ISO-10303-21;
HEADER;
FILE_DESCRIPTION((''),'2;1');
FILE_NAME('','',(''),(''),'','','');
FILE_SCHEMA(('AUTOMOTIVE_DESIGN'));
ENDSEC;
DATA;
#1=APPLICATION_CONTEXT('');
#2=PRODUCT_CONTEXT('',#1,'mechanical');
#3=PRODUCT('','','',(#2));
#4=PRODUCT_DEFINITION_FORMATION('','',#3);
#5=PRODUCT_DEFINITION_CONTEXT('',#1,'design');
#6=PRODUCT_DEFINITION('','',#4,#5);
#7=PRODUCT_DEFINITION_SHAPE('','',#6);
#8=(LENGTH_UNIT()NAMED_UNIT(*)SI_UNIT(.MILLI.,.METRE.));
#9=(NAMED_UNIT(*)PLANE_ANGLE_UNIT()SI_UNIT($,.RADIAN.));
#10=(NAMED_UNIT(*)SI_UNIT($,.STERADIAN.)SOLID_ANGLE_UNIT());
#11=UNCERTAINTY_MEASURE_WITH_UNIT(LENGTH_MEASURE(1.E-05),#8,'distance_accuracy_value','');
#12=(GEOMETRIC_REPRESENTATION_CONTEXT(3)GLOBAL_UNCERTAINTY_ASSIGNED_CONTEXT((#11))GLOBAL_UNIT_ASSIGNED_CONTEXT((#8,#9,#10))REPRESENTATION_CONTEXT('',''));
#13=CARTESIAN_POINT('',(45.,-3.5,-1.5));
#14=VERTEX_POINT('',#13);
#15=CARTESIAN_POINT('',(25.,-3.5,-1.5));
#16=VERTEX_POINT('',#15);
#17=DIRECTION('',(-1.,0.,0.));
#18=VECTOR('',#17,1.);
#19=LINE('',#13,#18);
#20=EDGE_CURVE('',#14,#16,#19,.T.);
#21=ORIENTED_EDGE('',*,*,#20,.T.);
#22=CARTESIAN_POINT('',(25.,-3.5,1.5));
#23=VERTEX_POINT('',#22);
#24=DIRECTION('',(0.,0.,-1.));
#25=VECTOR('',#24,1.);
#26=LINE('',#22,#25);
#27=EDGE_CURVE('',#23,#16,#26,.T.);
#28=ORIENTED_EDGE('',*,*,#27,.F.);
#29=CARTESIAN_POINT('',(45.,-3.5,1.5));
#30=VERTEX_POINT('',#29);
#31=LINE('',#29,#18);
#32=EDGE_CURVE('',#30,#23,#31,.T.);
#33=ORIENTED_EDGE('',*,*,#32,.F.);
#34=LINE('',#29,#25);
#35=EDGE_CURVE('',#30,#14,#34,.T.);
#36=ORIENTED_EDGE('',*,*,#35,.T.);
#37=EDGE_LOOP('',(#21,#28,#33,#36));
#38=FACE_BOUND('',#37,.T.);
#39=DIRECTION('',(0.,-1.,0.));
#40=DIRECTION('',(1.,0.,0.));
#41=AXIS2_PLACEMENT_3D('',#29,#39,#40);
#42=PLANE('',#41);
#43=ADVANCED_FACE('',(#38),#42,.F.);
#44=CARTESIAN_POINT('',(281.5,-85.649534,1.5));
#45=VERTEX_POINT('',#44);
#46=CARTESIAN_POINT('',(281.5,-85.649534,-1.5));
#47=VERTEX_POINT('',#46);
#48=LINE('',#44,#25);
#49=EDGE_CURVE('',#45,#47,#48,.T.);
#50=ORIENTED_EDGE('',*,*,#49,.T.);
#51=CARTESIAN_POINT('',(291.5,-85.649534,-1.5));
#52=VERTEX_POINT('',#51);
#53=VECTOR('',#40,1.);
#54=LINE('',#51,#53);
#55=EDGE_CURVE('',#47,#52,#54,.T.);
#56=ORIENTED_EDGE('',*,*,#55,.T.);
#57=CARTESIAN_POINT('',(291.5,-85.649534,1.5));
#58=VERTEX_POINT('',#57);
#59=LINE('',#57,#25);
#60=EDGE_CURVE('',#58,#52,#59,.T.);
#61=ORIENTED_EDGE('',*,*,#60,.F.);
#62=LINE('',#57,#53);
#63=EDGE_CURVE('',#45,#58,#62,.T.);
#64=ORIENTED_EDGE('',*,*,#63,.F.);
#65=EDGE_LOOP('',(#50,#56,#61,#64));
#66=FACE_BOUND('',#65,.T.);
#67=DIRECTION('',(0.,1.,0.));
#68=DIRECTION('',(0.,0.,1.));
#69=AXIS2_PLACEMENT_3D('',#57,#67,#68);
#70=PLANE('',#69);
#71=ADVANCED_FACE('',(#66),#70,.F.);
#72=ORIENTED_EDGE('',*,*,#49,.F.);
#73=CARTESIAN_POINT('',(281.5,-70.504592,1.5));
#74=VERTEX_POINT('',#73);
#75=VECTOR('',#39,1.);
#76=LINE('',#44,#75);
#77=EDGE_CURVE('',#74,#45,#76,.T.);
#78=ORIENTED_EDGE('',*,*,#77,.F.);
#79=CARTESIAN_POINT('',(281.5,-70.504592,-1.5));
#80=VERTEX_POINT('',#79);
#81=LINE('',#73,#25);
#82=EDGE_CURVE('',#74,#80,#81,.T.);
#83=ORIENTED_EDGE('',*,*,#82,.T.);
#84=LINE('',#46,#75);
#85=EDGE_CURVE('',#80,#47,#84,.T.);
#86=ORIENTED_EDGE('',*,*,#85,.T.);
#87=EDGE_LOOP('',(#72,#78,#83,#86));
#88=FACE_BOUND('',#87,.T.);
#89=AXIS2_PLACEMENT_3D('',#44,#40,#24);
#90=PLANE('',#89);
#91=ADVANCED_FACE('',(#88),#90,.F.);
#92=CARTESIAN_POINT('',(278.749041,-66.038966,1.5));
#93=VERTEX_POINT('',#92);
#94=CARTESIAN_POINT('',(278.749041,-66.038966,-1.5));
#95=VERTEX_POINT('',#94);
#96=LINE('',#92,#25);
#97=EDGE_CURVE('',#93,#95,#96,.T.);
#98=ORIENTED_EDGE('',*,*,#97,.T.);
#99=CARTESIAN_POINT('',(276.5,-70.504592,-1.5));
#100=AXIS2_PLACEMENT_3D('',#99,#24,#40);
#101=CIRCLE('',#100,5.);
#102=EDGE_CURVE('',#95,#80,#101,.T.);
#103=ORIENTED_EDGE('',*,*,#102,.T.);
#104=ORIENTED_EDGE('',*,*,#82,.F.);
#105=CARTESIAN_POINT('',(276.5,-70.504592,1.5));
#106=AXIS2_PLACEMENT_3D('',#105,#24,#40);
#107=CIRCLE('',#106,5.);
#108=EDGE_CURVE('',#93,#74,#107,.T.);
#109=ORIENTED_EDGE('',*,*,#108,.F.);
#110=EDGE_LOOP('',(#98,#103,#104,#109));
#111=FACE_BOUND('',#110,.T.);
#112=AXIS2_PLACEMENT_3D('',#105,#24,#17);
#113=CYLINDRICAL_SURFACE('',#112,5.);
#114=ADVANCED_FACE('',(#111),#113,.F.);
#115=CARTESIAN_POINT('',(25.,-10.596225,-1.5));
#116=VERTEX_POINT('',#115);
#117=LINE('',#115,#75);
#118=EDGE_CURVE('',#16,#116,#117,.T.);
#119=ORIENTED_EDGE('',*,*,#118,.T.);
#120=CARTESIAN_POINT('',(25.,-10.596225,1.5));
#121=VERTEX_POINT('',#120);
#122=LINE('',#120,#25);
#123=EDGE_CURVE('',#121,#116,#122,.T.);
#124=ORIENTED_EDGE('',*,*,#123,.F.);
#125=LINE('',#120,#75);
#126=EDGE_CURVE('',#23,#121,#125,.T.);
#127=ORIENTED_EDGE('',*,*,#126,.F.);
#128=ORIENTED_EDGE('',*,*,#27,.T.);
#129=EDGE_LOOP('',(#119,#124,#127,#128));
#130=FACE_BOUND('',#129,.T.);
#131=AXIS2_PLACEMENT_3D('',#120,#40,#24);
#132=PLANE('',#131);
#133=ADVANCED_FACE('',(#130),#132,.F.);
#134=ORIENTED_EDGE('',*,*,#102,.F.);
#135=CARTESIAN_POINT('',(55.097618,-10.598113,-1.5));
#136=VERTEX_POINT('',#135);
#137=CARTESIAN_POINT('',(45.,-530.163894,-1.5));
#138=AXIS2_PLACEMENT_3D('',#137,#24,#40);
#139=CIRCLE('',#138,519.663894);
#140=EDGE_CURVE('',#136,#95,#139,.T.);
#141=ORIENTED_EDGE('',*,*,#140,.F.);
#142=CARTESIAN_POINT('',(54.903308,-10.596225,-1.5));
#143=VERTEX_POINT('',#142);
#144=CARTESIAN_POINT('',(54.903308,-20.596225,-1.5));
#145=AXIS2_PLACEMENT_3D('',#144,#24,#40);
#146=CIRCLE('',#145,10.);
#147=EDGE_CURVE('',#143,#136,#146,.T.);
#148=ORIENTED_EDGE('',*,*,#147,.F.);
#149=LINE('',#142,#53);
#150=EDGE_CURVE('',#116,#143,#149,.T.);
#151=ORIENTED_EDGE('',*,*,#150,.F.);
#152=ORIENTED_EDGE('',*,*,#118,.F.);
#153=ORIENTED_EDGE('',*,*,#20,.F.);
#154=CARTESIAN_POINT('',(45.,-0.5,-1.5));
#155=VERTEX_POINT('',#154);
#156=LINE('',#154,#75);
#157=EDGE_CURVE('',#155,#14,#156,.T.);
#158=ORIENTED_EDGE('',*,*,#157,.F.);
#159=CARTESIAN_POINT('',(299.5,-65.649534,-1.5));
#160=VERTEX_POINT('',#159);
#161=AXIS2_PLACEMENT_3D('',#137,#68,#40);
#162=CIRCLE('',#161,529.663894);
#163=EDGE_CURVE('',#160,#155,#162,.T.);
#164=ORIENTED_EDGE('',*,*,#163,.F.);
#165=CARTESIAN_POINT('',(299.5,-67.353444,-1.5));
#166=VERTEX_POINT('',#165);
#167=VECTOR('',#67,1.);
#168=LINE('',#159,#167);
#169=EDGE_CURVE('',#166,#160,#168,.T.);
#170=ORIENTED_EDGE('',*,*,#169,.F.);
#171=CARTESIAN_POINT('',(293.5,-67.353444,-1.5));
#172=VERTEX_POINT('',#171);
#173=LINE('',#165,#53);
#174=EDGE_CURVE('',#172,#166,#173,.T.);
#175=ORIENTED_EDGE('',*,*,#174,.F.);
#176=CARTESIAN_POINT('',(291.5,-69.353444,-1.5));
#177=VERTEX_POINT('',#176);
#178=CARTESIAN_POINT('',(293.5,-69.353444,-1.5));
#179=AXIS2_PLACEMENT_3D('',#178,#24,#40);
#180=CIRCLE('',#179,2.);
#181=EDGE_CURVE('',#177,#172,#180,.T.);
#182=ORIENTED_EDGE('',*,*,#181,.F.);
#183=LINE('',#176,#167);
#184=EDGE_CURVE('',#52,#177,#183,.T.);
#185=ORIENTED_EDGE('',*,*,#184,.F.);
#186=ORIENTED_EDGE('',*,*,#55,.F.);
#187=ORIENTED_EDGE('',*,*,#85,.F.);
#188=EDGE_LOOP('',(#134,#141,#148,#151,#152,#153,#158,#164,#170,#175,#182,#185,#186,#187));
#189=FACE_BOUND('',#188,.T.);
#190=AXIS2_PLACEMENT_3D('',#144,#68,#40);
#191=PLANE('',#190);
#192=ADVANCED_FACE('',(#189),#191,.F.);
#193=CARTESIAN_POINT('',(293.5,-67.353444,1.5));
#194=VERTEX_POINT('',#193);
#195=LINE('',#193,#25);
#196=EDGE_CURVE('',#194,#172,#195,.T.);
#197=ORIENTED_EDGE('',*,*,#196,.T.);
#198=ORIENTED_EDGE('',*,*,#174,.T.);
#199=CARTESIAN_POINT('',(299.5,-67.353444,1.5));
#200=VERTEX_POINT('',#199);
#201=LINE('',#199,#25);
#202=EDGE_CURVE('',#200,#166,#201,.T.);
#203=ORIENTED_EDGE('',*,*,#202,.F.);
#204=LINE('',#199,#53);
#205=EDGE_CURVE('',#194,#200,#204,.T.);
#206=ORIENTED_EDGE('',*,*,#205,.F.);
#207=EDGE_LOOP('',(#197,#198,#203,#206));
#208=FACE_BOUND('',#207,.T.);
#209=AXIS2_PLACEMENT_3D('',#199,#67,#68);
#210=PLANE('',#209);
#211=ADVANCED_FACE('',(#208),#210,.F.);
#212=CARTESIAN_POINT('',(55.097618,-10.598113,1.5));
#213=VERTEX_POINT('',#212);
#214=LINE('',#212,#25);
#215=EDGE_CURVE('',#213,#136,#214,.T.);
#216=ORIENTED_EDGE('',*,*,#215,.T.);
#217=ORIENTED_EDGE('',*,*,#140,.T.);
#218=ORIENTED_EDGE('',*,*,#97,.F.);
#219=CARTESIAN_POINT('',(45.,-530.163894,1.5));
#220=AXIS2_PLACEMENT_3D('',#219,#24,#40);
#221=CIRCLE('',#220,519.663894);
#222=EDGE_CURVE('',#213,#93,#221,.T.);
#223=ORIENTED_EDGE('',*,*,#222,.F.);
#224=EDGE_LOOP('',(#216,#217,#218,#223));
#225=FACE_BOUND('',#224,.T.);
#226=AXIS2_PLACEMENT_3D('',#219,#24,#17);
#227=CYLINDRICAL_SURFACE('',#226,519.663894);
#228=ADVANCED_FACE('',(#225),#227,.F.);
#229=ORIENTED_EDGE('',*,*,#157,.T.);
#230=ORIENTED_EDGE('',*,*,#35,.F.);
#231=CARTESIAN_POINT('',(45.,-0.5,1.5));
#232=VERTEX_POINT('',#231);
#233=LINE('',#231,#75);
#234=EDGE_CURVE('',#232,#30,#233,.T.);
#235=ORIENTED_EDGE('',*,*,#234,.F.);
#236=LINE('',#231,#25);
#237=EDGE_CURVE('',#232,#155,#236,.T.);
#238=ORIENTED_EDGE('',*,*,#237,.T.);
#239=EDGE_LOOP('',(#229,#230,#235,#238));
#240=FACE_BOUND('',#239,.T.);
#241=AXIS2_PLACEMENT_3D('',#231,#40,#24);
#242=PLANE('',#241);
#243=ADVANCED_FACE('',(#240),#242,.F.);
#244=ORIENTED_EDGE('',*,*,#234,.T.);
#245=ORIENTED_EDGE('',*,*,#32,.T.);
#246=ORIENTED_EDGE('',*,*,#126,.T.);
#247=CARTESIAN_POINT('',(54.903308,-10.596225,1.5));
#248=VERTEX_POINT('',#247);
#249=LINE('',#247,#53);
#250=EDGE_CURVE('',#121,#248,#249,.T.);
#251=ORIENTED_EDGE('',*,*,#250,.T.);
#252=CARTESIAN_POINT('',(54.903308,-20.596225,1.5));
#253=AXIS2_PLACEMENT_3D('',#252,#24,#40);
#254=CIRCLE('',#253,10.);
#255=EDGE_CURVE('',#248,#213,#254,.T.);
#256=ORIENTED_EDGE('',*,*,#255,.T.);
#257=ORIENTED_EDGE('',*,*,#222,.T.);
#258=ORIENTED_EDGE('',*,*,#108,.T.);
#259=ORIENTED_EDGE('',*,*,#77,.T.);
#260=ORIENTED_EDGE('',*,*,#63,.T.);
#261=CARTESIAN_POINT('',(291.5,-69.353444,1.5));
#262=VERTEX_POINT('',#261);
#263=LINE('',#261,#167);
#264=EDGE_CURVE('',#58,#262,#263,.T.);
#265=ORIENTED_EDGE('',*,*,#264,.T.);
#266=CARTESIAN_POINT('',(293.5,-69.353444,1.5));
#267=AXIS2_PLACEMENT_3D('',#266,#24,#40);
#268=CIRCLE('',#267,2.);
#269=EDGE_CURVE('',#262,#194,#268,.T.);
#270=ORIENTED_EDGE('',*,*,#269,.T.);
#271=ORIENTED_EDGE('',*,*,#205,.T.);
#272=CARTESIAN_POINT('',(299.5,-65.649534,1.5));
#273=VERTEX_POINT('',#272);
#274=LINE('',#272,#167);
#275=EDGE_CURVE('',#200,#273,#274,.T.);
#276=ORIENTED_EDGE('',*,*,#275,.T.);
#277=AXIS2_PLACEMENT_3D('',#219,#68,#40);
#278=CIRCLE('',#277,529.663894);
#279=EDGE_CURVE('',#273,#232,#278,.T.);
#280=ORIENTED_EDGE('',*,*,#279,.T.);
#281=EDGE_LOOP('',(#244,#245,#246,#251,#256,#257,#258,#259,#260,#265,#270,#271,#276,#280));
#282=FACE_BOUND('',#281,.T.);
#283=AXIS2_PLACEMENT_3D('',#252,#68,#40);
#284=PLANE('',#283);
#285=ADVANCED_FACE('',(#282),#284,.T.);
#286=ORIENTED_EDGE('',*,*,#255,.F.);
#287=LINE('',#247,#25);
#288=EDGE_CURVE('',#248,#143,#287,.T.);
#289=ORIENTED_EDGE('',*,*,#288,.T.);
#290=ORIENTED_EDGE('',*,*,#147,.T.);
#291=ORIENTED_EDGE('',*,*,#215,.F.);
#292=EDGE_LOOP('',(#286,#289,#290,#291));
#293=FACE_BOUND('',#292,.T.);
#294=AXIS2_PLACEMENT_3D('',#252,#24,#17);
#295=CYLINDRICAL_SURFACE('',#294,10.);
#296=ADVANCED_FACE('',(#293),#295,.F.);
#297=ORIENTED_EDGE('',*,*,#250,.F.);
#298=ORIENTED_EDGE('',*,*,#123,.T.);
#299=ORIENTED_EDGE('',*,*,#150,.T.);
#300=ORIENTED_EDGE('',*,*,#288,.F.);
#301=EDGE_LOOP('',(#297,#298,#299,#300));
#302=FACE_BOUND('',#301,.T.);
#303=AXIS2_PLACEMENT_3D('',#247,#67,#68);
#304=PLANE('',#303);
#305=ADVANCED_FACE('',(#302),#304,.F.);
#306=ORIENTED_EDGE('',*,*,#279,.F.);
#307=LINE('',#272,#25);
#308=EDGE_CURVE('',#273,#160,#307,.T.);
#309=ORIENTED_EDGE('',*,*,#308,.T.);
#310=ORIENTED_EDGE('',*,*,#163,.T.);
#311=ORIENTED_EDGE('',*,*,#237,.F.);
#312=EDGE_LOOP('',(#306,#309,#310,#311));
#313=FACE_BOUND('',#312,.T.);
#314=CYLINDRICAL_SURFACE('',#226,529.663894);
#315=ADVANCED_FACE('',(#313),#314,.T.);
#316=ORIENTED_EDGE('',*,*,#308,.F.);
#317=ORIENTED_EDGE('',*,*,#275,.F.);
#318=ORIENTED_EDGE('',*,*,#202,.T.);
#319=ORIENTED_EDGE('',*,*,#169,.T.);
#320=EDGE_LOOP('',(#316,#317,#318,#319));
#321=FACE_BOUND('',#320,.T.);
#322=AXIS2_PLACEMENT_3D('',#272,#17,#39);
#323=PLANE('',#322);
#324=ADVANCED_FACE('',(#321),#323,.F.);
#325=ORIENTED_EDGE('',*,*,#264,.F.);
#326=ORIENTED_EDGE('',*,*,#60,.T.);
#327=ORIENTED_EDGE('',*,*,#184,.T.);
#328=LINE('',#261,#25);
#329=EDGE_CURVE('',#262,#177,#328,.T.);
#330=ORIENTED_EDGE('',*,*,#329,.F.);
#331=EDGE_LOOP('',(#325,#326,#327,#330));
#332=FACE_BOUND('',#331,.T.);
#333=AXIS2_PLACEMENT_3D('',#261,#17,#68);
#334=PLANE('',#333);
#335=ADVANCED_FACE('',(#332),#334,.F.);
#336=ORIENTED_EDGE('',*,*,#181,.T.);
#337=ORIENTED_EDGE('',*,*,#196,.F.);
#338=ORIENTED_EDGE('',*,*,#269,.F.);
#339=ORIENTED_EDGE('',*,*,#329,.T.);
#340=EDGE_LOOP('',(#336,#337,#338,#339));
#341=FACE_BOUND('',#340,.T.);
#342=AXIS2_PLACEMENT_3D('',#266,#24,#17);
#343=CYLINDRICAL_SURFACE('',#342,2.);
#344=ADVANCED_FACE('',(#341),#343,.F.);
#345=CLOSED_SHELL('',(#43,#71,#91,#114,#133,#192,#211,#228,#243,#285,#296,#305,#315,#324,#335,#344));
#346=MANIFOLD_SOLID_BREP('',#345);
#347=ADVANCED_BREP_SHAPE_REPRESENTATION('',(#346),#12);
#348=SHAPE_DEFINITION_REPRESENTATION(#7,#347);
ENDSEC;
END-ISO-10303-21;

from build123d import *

# Parameters (mm, degrees)
BOSS_EXTRUDE1_DEPTH = 1.5


with BuildPart() as part:
    # Sketch2 → Boss-Extrude1 (new, symmetric)
    with BuildSketch(Plane.XY):
        with BuildLine():
            Line((299.5, -67.353443934), (293.5, -67.353443934))
            ThreePointArc((293.5, -67.353443934), (292.085786438, -67.939230372), (291.5, -69.353443934))
            Line((291.5, -69.353443934), (291.5, -85.649534053))
            Line((291.5, -85.649534053), (281.5, -85.649534053))
            Line((281.5, -85.649534053), (281.5, -70.504592149))
            ThreePointArc((281.5, -70.504592149), (280.757064897, -67.882112699), (278.749040614, -66.038966065))
            ThreePointArc((278.749040614, -66.038966065), (170.034876315, -25.766389615), (55.097618142, -10.598112953))
            ThreePointArc((55.097618142, -10.598112953), (55.000467449, -10.596696958), (54.903307584, -10.596224945))
            Line((54.903307584, -10.596224945), (25, -10.596224945))
            Line((25, -10.596224945), (25, -3.5))
            Line((25, -3.5), (45, -3.5))
            Line((45, -3.5), (45, -0.5))
            ThreePointArc((45, -0.5), (176.353256324, -17.04581533), (299.5, -65.649534053))
            Line((299.5, -65.649534053), (299.5, -67.353443934))
        make_face()
    extrude(amount=BOSS_EXTRUDE1_DEPTH, both=True)


solid = part.part
